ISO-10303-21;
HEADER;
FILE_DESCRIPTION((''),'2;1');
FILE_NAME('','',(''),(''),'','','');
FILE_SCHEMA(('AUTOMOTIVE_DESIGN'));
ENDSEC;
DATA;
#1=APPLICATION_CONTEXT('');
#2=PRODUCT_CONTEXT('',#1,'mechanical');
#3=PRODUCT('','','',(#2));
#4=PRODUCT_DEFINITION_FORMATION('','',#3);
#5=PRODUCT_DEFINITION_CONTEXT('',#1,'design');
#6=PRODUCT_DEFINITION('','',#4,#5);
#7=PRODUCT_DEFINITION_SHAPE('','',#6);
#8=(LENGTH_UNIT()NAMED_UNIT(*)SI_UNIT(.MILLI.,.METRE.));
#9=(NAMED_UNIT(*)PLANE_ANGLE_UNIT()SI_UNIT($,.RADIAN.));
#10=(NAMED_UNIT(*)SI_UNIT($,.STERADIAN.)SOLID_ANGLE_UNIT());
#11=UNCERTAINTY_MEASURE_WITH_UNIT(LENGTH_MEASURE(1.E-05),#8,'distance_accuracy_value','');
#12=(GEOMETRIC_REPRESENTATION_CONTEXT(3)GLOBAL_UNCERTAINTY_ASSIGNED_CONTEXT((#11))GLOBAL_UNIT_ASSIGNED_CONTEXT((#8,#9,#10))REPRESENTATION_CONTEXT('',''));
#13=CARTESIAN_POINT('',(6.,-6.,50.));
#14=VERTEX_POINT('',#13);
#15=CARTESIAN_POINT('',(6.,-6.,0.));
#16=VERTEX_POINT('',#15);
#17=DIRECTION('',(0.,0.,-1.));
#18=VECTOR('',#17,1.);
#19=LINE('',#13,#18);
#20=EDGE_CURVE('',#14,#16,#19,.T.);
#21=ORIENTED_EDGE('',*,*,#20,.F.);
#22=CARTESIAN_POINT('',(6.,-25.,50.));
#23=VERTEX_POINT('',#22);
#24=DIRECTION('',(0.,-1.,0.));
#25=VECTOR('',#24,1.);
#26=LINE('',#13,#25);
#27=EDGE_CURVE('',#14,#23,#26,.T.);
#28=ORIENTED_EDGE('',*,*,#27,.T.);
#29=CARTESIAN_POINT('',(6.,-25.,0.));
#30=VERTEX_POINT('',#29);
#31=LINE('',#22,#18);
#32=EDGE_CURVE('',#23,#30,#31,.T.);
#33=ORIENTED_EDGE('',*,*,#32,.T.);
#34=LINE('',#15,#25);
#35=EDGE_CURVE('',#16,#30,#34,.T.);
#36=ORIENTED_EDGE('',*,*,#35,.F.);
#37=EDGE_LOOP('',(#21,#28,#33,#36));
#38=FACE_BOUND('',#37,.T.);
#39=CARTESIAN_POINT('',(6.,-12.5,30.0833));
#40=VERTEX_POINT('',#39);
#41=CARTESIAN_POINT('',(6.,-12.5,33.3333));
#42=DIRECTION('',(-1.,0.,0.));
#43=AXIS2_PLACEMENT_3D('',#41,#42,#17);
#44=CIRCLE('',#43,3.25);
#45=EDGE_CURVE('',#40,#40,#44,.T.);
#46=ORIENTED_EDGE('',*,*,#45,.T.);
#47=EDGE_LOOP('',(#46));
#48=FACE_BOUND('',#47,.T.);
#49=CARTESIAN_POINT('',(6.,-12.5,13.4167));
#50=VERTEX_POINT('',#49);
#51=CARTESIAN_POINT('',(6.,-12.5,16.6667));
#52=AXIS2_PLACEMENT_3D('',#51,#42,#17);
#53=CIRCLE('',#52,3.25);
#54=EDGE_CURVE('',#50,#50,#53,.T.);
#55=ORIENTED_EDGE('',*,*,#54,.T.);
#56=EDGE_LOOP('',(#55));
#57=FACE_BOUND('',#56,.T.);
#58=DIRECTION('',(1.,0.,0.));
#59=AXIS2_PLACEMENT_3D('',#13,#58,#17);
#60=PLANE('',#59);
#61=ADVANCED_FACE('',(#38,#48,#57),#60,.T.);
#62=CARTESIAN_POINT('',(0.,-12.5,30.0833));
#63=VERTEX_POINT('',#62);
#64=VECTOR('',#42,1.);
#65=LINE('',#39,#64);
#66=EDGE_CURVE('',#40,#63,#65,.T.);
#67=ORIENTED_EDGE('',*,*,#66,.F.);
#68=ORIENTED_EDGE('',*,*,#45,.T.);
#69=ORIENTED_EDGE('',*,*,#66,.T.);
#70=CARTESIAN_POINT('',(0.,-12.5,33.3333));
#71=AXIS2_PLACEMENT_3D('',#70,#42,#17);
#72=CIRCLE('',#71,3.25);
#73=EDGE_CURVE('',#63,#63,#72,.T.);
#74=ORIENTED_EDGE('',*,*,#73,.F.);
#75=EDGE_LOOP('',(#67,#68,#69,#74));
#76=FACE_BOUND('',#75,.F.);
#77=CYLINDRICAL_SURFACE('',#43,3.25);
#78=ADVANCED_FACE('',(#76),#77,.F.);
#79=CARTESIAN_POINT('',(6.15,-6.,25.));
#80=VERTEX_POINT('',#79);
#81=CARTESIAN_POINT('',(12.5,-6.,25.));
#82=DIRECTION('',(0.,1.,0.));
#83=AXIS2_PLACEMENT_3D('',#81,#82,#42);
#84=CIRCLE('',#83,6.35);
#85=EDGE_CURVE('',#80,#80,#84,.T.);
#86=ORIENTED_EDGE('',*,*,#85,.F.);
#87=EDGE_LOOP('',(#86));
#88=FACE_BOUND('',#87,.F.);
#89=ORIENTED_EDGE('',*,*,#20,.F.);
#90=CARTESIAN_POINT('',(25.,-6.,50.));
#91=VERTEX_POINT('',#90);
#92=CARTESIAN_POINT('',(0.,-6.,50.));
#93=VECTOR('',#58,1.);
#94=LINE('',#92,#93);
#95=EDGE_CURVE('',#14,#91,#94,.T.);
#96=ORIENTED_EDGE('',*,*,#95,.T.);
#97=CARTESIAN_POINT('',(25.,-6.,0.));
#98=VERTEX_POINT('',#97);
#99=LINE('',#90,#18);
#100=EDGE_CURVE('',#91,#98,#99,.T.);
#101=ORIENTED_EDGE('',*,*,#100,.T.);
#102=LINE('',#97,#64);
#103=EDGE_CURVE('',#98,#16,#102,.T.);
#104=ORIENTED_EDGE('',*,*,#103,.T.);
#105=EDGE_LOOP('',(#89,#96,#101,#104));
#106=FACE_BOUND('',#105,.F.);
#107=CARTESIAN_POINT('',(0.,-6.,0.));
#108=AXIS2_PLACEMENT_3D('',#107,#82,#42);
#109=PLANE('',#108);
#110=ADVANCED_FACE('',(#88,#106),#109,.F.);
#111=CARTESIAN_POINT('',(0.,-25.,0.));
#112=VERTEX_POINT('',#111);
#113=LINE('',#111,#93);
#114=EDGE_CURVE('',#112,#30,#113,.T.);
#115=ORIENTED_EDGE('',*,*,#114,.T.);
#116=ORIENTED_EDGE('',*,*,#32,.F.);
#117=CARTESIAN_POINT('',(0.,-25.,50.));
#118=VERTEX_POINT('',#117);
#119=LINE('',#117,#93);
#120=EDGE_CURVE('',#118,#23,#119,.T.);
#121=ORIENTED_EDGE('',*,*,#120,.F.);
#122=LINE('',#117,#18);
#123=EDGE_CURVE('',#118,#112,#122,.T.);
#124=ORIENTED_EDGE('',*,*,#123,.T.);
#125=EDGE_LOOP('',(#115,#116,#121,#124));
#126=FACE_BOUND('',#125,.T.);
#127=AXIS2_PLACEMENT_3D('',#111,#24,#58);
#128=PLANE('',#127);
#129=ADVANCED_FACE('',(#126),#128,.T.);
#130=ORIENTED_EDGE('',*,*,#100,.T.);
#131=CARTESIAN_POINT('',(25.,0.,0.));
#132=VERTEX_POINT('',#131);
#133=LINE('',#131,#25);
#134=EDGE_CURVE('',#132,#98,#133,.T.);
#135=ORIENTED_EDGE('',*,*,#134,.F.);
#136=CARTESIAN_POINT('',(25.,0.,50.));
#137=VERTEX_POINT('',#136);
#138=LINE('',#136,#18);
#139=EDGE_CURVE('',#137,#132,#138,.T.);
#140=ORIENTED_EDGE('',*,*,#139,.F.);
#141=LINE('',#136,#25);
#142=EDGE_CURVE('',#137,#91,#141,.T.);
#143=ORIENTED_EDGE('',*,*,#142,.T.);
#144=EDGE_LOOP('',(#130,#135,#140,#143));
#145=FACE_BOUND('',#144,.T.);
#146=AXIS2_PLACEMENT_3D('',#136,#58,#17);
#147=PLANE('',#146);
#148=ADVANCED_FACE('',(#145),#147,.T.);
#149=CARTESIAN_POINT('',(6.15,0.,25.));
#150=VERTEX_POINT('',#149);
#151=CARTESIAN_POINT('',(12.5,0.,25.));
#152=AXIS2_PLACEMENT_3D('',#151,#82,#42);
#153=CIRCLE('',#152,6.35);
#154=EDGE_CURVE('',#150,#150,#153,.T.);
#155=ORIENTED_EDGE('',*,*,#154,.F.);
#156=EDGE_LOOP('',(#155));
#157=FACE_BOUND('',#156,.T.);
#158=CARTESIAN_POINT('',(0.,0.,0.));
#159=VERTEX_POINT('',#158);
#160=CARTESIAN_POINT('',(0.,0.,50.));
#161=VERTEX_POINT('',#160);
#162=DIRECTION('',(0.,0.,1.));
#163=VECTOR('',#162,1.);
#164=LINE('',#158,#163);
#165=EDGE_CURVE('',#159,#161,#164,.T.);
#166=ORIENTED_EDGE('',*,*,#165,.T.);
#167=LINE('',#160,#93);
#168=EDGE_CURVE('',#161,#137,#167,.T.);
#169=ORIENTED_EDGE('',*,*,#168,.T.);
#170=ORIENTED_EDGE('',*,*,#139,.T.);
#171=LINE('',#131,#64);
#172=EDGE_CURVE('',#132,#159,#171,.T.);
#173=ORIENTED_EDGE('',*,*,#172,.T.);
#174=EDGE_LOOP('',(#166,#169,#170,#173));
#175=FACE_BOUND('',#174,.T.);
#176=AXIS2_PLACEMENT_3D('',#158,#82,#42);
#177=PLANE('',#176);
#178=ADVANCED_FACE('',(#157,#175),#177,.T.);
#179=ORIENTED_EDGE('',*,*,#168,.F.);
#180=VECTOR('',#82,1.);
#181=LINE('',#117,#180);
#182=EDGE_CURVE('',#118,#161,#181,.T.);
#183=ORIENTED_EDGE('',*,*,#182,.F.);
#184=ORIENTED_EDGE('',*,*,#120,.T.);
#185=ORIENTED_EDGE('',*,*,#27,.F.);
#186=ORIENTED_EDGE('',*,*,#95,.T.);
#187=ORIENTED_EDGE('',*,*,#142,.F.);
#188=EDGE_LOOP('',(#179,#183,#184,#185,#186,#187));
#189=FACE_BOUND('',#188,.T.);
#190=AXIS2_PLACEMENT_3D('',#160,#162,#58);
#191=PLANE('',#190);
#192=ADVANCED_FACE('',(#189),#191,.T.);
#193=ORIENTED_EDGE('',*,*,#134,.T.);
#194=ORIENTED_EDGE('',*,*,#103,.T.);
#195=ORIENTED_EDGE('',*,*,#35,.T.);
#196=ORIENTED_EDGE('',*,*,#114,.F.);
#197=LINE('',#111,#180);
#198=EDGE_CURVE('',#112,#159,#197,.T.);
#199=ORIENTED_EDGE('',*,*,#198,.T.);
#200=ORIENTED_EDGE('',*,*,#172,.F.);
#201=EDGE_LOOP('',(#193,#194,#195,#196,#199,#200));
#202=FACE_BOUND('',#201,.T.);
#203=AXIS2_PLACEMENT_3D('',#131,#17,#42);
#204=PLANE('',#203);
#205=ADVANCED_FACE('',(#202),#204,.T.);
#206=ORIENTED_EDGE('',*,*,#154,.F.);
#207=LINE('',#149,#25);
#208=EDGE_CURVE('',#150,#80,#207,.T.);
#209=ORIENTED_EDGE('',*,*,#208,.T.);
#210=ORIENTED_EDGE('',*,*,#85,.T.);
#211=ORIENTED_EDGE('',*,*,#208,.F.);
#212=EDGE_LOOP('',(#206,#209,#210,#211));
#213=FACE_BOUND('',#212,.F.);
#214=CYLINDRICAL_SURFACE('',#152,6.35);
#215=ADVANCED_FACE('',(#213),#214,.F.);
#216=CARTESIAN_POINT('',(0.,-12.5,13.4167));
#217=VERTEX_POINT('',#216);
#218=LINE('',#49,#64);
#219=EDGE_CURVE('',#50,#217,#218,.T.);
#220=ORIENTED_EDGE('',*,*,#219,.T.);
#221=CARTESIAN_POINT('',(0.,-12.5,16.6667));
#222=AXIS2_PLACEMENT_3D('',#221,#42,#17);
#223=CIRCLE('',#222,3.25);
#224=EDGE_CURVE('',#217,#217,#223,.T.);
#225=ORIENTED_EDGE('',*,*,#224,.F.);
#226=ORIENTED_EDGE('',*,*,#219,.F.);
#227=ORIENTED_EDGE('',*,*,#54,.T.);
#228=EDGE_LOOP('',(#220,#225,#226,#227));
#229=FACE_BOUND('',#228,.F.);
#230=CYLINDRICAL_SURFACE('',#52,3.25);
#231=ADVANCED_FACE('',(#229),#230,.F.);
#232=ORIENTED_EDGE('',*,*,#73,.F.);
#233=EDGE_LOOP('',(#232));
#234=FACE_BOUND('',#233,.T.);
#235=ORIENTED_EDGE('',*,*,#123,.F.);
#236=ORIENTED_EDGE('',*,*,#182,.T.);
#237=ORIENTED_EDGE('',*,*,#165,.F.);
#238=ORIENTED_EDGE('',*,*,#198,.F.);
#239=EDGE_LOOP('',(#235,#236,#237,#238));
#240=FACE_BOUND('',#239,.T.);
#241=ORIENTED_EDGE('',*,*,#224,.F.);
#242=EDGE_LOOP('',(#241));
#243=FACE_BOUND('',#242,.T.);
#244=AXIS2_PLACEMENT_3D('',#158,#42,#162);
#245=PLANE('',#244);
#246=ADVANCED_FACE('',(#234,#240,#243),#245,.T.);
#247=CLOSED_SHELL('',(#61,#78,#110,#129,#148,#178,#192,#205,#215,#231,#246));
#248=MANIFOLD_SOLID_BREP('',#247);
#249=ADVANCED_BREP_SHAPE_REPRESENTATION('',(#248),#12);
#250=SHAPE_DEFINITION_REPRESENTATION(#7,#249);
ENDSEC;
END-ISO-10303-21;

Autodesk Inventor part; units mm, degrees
ref_plane "YZ Plane" through (0, 0, 0) normal (1, 0, 0) x (0, 1, 0)
ref_plane "XZ Plane" through (0, 0, 0) normal (0, 1, 0) x (-1, 0, 0)
ref_plane "XY Plane" through (0, 0, 0) normal (0, 0, 1) x (1, 0, 0)
sketch "Sketch1" plane through (0, 0, 0) normal (0, 1, 0) x (-1, 0, 0)
  line L0 (0, 0) -> (0, 50)
  line L1 (0, 50) -> (-25, 50)
  line L2 (-25, 50) -> (-25, 0)
  line L3 (-25, 0) -> (0, 0)
  circle A0 centre (-12.5, 25) radius 6.35
  dimension "d0" = 50
  dimension "d1" = 25
  dimension "d2" = 12.7
extrude "Extrusion1" add sketch "Sketch1" against normal blind 6
sketch "Sketch2" plane through (0, -6, 0) normal (0, -1, 0) x (1, 0, 0)
  line L0 (0, 50) -> (0, 0) projected
  line L1 (0, 50) -> (6, 50)
  line L2 (25, 50) -> (0, 50) projected
  line L3 (6, 50) -> (6, 0)
  line L4 (0, 0) -> (25, 0) projected
  line L5 (6, 0) -> (0, 0)
  line L6 (0, 0) -> (0, 50)
  dimension "d5" = 6
extrude "Extrusion2" add sketch "Sketch2" along normal blind 19
sketch "Sketch3" plane through (6, -6, 50) normal (1, 0, 0) x (0, 0, -1)
  circle A0 centre (16.6667, -6.5) radius 3.25
  circle A1 centre (33.3333, -6.5) radius 3.25
  point P0 (50, 6)
  dimension "d8" = 6.5
  dimension "d9" = 6.5
hole "Hole1" at (6, -12.5, 33.3333) at (6, -12.5, 16.6667) direction (-1, 0, 0) diameter 6.5 depth 111
properties part number "Roter_shaft_support_top"
